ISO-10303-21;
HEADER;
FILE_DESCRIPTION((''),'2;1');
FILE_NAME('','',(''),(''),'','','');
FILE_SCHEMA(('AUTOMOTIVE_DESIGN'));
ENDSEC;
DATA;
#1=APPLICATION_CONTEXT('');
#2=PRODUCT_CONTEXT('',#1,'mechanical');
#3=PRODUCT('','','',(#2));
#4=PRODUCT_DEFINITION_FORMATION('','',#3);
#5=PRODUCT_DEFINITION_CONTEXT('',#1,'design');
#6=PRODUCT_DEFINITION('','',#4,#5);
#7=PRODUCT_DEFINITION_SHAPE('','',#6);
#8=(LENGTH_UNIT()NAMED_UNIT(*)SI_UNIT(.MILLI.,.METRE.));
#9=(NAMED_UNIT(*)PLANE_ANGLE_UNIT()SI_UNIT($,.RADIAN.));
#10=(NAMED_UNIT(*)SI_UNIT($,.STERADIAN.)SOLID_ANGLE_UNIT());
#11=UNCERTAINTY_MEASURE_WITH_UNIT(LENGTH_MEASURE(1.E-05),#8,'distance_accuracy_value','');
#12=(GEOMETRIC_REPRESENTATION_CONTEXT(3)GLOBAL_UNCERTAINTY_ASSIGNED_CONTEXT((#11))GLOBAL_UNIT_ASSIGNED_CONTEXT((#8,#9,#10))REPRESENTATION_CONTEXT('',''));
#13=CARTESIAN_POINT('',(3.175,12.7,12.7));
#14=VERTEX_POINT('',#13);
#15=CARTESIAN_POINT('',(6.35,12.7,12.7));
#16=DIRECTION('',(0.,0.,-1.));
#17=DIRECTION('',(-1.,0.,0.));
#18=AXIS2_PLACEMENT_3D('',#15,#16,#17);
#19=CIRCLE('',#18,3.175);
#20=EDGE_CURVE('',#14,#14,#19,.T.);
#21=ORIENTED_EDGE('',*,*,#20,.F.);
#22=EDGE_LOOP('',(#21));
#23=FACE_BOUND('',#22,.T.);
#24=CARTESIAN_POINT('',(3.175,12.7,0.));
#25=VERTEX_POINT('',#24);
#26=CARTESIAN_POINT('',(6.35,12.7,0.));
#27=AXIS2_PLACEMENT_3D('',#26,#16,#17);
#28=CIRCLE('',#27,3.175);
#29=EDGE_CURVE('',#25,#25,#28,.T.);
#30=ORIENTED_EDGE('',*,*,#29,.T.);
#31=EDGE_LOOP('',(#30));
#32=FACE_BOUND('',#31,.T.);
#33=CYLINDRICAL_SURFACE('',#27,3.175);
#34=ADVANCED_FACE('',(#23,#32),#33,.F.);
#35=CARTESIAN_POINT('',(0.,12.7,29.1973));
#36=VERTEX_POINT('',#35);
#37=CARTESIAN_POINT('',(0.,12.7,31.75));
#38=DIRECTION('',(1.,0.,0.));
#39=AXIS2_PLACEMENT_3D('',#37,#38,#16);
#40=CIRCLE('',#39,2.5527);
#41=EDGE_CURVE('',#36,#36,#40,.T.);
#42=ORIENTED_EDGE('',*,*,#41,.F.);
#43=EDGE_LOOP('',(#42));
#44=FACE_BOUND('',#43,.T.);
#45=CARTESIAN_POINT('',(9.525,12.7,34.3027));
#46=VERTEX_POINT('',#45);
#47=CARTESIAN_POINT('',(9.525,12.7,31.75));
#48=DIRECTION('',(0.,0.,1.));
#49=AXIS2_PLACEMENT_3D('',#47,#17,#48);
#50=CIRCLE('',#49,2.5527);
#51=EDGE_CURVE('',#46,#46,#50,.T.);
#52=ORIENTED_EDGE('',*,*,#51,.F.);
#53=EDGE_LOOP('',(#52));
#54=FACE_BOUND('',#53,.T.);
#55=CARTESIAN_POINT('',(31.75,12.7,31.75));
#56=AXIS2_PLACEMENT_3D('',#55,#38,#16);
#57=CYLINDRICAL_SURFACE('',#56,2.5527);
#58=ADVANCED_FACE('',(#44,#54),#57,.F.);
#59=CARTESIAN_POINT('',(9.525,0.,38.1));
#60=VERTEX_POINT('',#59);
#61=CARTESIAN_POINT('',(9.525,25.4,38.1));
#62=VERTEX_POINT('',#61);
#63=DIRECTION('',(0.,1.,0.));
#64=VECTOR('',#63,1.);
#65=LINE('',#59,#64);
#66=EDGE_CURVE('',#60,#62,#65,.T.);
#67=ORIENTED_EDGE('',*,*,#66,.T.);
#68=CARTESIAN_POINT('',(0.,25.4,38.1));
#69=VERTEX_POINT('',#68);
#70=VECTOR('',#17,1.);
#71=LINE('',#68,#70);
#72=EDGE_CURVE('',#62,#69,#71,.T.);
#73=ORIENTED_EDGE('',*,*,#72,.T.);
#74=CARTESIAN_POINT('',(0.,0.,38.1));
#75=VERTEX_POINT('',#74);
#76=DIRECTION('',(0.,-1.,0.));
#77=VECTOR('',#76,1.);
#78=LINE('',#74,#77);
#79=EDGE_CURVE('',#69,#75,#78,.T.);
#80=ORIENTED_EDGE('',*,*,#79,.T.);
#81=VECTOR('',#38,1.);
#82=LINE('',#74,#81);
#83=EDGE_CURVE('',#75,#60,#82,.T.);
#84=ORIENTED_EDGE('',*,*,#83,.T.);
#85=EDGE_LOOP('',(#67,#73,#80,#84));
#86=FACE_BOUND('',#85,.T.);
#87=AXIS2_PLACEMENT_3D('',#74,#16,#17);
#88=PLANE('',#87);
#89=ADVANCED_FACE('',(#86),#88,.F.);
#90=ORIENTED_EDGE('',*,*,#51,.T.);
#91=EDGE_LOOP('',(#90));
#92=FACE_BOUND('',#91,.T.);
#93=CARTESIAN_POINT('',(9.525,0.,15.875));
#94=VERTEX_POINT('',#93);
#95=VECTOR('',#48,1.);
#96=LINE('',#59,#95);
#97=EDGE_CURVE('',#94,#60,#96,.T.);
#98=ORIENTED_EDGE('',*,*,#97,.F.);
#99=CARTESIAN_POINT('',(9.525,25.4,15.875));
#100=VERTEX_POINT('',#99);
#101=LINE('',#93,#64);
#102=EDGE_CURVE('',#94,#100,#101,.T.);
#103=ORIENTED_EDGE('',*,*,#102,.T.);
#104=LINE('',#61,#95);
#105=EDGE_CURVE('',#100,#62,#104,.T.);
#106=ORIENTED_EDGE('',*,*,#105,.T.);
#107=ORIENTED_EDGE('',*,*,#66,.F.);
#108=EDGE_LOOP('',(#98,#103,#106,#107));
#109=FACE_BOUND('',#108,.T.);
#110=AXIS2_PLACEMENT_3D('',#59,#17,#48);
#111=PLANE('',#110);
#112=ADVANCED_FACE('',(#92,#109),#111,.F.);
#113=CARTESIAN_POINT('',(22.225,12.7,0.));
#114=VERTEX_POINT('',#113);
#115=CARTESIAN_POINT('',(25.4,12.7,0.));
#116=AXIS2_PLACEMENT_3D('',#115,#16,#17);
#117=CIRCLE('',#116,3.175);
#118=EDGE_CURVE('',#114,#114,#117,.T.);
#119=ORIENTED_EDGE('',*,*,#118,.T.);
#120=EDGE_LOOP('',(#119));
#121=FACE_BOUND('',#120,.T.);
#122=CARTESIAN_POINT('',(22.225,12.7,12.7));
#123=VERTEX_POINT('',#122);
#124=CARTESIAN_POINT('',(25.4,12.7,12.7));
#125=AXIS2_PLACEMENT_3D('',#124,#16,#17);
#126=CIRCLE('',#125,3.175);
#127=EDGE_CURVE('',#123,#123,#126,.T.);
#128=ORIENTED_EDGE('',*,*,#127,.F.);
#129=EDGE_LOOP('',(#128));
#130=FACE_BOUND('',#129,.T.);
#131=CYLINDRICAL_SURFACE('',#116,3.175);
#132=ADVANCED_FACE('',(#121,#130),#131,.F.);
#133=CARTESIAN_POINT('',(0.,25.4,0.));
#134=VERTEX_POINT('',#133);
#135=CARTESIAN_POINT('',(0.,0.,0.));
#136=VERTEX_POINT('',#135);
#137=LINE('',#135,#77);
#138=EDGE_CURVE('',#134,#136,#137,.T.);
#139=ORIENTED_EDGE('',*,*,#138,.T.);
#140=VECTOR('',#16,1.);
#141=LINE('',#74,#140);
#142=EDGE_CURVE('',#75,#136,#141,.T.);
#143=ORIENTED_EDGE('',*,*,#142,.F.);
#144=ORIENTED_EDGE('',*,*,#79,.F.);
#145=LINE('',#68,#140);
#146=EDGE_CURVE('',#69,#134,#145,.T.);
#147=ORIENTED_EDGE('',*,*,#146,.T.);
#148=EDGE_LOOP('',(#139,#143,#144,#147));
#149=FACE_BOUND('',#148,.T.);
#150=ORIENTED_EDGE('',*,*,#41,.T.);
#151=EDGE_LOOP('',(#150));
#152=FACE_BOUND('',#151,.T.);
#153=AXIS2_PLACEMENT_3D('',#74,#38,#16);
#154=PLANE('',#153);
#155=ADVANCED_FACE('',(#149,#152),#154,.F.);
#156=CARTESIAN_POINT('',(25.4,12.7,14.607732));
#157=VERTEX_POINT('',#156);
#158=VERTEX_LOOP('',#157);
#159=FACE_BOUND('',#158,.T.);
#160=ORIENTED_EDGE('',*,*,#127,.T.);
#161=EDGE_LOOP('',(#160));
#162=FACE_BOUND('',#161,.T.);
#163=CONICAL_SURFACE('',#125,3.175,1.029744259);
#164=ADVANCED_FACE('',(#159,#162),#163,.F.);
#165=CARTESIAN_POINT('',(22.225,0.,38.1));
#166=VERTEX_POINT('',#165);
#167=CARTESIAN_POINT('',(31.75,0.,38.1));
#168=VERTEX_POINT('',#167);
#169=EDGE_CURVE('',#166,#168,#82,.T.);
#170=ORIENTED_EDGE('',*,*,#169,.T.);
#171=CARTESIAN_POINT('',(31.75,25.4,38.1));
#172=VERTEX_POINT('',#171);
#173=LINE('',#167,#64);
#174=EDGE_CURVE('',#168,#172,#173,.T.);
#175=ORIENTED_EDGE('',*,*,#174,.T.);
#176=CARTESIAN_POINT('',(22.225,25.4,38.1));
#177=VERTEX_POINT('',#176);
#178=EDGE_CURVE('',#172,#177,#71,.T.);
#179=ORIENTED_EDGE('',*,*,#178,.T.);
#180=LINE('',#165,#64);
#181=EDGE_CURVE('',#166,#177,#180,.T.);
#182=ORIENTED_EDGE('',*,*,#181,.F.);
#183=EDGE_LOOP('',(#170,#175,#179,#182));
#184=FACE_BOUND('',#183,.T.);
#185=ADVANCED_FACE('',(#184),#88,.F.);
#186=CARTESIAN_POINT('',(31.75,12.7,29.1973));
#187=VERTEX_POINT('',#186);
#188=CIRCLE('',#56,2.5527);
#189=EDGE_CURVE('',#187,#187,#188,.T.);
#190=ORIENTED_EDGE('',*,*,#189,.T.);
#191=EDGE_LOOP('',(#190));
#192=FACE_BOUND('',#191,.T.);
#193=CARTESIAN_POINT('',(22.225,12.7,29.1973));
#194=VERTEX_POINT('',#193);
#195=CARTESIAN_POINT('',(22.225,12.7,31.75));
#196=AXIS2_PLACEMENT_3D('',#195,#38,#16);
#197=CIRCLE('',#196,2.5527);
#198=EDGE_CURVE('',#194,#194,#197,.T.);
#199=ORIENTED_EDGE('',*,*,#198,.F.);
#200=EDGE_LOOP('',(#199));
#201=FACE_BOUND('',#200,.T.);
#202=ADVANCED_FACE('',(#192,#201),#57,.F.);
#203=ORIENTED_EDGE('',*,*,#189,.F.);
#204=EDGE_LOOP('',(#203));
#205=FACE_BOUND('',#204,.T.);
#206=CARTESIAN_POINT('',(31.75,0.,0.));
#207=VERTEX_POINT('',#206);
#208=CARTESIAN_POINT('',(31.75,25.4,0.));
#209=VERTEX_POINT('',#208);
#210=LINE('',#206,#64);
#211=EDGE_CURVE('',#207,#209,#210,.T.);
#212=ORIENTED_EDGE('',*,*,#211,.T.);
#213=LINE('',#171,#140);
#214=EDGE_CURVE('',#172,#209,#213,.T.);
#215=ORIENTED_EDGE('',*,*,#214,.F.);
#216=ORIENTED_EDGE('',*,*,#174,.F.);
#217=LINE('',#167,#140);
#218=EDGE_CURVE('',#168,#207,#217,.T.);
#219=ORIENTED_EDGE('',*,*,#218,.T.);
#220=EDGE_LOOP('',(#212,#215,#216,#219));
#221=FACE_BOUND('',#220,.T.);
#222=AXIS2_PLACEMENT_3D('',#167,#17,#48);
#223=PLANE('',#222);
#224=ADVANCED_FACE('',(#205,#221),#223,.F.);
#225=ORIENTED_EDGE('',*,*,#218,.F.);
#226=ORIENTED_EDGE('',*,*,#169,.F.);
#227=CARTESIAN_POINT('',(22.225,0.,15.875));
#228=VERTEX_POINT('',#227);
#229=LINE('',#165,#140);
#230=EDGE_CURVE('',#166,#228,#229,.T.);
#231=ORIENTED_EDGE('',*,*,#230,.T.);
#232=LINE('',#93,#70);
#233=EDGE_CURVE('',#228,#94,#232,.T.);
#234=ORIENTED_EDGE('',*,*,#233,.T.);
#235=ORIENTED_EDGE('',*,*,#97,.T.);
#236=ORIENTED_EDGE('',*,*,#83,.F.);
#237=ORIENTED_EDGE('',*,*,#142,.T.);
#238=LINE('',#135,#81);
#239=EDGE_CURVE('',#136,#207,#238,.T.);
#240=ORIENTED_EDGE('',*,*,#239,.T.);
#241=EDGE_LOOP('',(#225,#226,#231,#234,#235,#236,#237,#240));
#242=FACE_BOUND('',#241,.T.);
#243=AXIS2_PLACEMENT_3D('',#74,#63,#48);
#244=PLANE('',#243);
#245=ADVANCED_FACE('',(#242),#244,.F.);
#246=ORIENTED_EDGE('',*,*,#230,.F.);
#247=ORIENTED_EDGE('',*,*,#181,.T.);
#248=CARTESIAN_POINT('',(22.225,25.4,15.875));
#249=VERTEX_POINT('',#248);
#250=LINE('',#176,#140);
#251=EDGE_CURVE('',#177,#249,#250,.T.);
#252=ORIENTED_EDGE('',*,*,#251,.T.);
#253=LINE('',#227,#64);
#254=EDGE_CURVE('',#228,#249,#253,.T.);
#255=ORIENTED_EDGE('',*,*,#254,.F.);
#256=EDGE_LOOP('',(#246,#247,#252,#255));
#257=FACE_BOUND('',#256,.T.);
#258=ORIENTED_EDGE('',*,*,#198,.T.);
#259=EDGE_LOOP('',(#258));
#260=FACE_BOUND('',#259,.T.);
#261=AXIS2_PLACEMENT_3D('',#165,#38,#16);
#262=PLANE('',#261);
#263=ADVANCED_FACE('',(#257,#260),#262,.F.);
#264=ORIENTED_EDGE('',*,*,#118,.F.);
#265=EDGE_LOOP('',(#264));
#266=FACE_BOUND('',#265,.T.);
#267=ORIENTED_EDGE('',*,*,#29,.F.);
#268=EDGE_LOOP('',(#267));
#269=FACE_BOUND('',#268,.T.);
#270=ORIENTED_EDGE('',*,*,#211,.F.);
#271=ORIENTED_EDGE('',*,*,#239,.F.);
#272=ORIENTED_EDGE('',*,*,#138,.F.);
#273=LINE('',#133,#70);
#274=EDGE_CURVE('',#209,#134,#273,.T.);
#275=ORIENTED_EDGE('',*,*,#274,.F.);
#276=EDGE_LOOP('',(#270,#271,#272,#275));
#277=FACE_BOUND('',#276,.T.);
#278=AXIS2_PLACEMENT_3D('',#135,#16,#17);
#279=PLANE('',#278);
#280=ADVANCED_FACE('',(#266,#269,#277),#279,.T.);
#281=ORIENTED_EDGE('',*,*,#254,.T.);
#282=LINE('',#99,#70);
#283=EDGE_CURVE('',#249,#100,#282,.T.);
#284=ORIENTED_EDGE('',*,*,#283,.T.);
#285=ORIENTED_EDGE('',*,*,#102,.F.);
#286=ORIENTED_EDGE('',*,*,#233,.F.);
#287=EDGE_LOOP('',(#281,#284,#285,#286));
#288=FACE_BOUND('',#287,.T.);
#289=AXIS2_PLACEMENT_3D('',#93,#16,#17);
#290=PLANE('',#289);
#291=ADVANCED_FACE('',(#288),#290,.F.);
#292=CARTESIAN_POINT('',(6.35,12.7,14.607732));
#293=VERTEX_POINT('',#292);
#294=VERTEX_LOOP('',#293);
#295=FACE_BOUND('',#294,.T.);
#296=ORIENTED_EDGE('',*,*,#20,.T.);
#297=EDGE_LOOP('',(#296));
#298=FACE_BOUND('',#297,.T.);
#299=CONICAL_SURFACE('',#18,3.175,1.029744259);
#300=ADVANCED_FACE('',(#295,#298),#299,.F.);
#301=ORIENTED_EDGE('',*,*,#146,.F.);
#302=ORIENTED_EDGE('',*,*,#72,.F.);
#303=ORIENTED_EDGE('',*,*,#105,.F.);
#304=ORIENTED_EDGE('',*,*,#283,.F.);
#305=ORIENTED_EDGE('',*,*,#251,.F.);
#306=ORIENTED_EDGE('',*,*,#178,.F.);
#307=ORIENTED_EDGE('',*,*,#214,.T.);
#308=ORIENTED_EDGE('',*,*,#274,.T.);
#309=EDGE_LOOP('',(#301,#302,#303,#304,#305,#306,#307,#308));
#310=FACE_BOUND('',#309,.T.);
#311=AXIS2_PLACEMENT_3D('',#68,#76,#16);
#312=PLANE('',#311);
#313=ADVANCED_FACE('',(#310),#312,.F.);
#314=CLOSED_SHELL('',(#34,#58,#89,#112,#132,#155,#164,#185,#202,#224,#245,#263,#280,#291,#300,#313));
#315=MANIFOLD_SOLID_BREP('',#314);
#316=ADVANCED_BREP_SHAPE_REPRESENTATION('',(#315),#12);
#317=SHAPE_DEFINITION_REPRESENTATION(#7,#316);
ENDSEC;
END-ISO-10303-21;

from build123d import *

# Parameters (mm, degrees)
SKETCH1_W                       = 31.75
SKETCH1_H                       = 25.4
BOSS_EXTRUDE1_DEPTH             = 38.1
F_1_4_0_25_DIAMETER_HOLE1_D     = 6.35
F_1_4_0_25_DIAMETER_HOLE1_DEPTH = 12.7
F_1_4_0_25_DIAMETER_HOLE1_TIP   = 1.907732465
SKETCH5_W                       = 12.7
SKETCH5_H                       = 22.225
CUT_EXTRUDE2_DEPTH              = 26.4
F_10_CLEARANCE_HOLE1_D          = 5.1054


with BuildPart() as part:
    # Sketch1 → Boss-Extrude1 (new body)
    with BuildSketch(Plane.XY):
        with Locations((15.875, 12.7)):
            Rectangle(SKETCH1_W, SKETCH1_H)
    extrude(amount=BOSS_EXTRUDE1_DEPTH)

    # 1/4 (0.25) Diameter Hole1
    with Locations(Plane(origin=(0, 0, 0), x_dir=(-1, 0, 0), z_dir=(0, 0, -1))):
        with Locations((-25.4, 12.7), (-6.35, 12.7)):
            Hole(F_1_4_0_25_DIAMETER_HOLE1_D / 2, depth=F_1_4_0_25_DIAMETER_HOLE1_DEPTH)
            with Locations((0, 0, -(F_1_4_0_25_DIAMETER_HOLE1_DEPTH + F_1_4_0_25_DIAMETER_HOLE1_TIP / 2))):  # 118° drill point
                Cone(0, F_1_4_0_25_DIAMETER_HOLE1_D / 2, F_1_4_0_25_DIAMETER_HOLE1_TIP, mode=Mode.SUBTRACT)

    # Sketch5 → Cut-Extrude2 (cut, through all)
    with BuildSketch(Plane(origin=(0, 25.4, 0), x_dir=(1, 0, 0), z_dir=(0, 1, 0))):
        with Locations((15.875, -26.9875)):
            Rectangle(SKETCH5_W, SKETCH5_H)
    extrude(amount=-CUT_EXTRUDE2_DEPTH, mode=Mode.SUBTRACT)

    # #10 Clearance Hole1 (through all)
    with Locations(Plane(origin=(31.75, 0, 0), x_dir=(0, 0, -1), z_dir=(1, 0, 0))):
        with Locations((-31.75, 12.7)):
            Hole(F_10_CLEARANCE_HOLE1_D / 2)


solid = part.part
